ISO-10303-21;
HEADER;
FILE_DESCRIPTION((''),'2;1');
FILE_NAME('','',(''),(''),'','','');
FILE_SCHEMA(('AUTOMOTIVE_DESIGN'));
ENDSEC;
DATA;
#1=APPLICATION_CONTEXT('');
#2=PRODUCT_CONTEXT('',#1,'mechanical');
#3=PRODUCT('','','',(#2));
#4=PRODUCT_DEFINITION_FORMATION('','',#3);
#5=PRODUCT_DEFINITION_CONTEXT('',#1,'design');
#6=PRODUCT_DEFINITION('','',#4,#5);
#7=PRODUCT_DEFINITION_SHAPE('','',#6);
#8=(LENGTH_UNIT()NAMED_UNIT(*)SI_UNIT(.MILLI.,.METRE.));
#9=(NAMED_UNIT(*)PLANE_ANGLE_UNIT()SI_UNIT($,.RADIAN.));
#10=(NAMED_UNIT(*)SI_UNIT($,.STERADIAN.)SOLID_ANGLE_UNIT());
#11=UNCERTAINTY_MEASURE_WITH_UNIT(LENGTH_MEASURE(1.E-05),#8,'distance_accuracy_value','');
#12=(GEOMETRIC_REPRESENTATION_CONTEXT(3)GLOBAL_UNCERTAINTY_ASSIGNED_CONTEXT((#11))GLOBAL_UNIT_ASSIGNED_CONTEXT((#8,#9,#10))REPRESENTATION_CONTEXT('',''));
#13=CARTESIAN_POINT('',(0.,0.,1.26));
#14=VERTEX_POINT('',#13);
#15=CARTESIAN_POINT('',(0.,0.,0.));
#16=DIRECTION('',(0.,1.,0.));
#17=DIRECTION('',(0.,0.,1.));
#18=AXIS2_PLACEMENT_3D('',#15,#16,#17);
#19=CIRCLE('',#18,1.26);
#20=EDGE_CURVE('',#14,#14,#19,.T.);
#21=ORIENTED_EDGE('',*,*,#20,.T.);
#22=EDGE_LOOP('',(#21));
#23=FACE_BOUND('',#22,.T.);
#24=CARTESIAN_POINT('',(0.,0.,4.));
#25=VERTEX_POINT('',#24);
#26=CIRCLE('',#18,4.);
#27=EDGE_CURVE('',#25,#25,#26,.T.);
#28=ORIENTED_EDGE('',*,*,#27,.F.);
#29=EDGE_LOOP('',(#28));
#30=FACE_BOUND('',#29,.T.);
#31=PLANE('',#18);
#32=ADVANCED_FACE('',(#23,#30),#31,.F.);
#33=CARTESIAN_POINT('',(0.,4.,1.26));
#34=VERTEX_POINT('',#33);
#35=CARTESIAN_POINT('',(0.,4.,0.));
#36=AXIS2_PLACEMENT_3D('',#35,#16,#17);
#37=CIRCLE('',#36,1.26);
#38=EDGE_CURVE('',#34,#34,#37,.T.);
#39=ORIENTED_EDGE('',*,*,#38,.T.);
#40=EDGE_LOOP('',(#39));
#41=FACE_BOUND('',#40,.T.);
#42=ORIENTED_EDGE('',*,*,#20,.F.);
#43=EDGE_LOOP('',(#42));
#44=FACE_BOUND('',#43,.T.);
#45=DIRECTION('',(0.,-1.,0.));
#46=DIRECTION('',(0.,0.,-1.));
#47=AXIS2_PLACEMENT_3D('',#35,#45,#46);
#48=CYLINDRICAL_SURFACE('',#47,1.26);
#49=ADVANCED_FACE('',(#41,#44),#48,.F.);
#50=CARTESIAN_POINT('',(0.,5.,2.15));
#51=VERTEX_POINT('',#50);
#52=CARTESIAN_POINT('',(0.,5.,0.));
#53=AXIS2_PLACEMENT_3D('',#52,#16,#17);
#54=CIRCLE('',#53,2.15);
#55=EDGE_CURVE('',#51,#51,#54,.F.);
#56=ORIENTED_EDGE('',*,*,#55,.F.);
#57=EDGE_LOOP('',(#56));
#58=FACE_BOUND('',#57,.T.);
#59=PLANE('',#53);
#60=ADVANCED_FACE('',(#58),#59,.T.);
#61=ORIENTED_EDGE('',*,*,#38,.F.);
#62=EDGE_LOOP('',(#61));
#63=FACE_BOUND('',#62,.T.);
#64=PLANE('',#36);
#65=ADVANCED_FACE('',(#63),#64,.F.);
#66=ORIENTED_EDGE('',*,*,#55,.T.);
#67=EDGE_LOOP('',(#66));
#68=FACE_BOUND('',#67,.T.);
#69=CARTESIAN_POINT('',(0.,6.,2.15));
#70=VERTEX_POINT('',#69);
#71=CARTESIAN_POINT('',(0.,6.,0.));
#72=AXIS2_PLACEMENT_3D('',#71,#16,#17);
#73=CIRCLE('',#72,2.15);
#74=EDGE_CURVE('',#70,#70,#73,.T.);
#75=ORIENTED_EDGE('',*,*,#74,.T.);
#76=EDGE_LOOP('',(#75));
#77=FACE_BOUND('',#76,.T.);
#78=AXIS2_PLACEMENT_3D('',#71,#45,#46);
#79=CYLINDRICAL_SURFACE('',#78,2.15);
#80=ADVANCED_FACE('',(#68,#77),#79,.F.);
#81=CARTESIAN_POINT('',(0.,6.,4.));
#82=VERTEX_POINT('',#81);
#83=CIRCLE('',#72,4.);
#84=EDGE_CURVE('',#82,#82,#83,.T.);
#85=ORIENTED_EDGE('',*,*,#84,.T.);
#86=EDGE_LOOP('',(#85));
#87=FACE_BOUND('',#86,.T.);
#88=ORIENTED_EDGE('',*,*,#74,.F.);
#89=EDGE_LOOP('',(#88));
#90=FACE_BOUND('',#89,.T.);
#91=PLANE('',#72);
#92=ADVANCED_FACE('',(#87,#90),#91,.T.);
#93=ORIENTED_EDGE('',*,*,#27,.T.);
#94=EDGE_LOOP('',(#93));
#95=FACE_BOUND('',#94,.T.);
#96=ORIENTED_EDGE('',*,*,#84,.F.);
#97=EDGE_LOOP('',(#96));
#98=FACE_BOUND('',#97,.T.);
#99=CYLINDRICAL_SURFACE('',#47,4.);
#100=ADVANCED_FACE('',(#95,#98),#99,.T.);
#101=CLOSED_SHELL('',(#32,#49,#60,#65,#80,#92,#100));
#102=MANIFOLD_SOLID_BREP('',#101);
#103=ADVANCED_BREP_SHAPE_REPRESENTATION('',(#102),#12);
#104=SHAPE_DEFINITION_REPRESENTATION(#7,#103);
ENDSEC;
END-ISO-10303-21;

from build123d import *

# Parameters (mm, degrees)
SKETCH1_R        = 4
SKETCH1_R_2      = 1.26
EXTRUSION1_DEPTH = 4
SKETCH2_R        = 4
EXTRUSION2_DEPTH = 1
SKETCH3_R        = 4
SKETCH3_R_2      = 2.15
EXTRUSION3_DEPTH = 1


with BuildPart() as part:
    # Sketch1 → Extrusion1 (new body)
    with BuildSketch(Plane(origin=(0, 0, 0), x_dir=(-1, 0, 0), z_dir=(0, 1, 0))):
        with Locations(Location((0, 0, 0), (0, 0, 90))):
            Circle(SKETCH1_R)
        with Locations(Location((0, 0, 0), (0, 0, 90))):
            Circle(SKETCH1_R_2, mode=Mode.SUBTRACT)
    extrude(amount=EXTRUSION1_DEPTH)

    # Sketch2 → Extrusion2 (add)
    with BuildSketch(Plane(origin=(0, 4, 0), x_dir=(1, 0, 0), z_dir=(0, 1, 0))):
        with Locations(Location((0, 0, 0), (0, 0, 270))):
            Circle(SKETCH2_R)
    extrude(amount=EXTRUSION2_DEPTH)

    # Sketch3 → Extrusion3 (add)
    with BuildSketch(Plane(origin=(0, 5, 0), x_dir=(-1, 0, 0), z_dir=(0, 1, 0))):
        with Locations(Location((0, 0, 0), (0, 0, 90))):
            Circle(SKETCH3_R)
        with Locations(Location((0, 0, 0), (0, 0, 90))):
            Circle(SKETCH3_R_2, mode=Mode.SUBTRACT)
    extrude(amount=EXTRUSION3_DEPTH)


solid = part.part
